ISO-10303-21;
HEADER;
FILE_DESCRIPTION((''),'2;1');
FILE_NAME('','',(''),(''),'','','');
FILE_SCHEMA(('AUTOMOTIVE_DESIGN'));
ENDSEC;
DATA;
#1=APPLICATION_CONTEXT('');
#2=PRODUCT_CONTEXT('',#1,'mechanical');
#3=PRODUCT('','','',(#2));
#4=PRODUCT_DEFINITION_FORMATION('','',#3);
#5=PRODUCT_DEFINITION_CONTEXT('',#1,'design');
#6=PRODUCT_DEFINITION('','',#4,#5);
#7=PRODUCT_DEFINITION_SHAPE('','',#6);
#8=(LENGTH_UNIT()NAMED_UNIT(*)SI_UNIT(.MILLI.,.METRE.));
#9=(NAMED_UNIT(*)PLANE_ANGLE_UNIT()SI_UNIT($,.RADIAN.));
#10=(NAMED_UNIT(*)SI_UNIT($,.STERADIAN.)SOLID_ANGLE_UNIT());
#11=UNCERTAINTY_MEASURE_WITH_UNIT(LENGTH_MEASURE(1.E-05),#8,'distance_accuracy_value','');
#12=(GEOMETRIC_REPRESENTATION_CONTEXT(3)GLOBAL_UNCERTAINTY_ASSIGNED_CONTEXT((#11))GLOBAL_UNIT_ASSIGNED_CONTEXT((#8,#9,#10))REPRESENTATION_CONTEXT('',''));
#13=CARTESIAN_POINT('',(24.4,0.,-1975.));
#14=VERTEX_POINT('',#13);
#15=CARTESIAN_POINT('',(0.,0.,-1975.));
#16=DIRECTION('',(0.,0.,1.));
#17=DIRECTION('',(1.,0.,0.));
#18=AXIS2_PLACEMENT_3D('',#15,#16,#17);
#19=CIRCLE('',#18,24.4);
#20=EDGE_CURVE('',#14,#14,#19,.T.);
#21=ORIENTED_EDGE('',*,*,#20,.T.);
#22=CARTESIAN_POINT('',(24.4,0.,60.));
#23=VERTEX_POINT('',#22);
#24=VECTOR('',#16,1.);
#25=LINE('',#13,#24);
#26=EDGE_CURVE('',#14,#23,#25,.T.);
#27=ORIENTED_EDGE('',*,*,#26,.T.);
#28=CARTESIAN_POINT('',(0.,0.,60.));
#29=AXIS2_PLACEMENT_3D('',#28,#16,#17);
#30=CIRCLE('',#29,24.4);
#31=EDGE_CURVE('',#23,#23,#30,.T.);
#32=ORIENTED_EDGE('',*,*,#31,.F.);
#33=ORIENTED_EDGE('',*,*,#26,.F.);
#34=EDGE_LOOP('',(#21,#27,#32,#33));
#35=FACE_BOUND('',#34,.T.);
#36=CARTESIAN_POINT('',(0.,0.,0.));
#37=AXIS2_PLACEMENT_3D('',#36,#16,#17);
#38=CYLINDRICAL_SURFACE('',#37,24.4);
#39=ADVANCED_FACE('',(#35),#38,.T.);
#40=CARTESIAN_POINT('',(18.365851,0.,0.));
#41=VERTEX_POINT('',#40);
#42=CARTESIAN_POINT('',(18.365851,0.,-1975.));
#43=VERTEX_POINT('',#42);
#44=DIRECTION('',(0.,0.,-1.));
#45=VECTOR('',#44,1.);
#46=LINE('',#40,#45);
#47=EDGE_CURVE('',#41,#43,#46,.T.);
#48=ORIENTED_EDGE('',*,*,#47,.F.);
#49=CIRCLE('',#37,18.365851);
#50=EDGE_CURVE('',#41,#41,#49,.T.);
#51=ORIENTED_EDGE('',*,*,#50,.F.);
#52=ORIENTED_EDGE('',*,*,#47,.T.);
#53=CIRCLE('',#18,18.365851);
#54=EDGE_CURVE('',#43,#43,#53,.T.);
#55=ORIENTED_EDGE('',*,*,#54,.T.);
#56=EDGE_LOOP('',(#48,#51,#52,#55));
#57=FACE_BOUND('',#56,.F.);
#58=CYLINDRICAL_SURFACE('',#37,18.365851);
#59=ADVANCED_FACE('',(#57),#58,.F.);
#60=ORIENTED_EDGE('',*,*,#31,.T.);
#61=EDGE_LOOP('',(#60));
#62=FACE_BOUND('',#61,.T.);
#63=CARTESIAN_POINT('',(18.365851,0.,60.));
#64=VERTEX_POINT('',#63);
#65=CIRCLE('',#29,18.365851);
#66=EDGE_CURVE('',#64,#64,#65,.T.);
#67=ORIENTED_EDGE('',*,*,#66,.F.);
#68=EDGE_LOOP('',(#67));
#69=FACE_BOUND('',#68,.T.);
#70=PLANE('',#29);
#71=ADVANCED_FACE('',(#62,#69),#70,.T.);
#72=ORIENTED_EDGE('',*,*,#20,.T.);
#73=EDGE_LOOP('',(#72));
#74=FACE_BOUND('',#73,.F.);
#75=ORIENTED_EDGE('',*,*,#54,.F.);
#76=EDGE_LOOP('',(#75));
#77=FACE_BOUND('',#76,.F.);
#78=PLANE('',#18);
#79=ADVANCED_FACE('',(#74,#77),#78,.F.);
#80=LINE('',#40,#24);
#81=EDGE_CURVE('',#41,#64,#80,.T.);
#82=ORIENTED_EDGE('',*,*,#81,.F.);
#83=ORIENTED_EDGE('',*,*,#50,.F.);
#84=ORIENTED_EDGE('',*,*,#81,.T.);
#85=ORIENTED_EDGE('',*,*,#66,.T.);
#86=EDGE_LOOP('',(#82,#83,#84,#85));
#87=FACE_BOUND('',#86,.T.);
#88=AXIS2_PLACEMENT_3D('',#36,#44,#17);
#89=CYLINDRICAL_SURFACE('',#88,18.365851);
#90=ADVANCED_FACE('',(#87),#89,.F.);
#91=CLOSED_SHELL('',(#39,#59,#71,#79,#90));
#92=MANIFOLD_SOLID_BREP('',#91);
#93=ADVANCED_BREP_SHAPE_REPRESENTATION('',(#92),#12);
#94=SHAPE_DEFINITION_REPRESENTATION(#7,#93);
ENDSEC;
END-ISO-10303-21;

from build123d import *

# Parameters (mm, degrees)
F0_R     = 24.4
F0_R_2   = 18.365851
F1_DEPTH = 60
F2_R     = 24.4
F2_R_2   = 18.365851
F3_DEPTH = 1975


with BuildPart() as f1:
    # F0 (on Top) → F1 (new body)
    with BuildSketch(Plane.XY):
        Circle(F0_R)
        Circle(F0_R_2, mode=Mode.SUBTRACT)
    extrude(amount=F1_DEPTH)

    # F2 (on Top) → F3 (join)
    with BuildSketch(Plane.XY):
        Circle(F2_R)
        Circle(F2_R_2, mode=Mode.SUBTRACT)
    extrude(amount=-F3_DEPTH)


solid = f1.part
